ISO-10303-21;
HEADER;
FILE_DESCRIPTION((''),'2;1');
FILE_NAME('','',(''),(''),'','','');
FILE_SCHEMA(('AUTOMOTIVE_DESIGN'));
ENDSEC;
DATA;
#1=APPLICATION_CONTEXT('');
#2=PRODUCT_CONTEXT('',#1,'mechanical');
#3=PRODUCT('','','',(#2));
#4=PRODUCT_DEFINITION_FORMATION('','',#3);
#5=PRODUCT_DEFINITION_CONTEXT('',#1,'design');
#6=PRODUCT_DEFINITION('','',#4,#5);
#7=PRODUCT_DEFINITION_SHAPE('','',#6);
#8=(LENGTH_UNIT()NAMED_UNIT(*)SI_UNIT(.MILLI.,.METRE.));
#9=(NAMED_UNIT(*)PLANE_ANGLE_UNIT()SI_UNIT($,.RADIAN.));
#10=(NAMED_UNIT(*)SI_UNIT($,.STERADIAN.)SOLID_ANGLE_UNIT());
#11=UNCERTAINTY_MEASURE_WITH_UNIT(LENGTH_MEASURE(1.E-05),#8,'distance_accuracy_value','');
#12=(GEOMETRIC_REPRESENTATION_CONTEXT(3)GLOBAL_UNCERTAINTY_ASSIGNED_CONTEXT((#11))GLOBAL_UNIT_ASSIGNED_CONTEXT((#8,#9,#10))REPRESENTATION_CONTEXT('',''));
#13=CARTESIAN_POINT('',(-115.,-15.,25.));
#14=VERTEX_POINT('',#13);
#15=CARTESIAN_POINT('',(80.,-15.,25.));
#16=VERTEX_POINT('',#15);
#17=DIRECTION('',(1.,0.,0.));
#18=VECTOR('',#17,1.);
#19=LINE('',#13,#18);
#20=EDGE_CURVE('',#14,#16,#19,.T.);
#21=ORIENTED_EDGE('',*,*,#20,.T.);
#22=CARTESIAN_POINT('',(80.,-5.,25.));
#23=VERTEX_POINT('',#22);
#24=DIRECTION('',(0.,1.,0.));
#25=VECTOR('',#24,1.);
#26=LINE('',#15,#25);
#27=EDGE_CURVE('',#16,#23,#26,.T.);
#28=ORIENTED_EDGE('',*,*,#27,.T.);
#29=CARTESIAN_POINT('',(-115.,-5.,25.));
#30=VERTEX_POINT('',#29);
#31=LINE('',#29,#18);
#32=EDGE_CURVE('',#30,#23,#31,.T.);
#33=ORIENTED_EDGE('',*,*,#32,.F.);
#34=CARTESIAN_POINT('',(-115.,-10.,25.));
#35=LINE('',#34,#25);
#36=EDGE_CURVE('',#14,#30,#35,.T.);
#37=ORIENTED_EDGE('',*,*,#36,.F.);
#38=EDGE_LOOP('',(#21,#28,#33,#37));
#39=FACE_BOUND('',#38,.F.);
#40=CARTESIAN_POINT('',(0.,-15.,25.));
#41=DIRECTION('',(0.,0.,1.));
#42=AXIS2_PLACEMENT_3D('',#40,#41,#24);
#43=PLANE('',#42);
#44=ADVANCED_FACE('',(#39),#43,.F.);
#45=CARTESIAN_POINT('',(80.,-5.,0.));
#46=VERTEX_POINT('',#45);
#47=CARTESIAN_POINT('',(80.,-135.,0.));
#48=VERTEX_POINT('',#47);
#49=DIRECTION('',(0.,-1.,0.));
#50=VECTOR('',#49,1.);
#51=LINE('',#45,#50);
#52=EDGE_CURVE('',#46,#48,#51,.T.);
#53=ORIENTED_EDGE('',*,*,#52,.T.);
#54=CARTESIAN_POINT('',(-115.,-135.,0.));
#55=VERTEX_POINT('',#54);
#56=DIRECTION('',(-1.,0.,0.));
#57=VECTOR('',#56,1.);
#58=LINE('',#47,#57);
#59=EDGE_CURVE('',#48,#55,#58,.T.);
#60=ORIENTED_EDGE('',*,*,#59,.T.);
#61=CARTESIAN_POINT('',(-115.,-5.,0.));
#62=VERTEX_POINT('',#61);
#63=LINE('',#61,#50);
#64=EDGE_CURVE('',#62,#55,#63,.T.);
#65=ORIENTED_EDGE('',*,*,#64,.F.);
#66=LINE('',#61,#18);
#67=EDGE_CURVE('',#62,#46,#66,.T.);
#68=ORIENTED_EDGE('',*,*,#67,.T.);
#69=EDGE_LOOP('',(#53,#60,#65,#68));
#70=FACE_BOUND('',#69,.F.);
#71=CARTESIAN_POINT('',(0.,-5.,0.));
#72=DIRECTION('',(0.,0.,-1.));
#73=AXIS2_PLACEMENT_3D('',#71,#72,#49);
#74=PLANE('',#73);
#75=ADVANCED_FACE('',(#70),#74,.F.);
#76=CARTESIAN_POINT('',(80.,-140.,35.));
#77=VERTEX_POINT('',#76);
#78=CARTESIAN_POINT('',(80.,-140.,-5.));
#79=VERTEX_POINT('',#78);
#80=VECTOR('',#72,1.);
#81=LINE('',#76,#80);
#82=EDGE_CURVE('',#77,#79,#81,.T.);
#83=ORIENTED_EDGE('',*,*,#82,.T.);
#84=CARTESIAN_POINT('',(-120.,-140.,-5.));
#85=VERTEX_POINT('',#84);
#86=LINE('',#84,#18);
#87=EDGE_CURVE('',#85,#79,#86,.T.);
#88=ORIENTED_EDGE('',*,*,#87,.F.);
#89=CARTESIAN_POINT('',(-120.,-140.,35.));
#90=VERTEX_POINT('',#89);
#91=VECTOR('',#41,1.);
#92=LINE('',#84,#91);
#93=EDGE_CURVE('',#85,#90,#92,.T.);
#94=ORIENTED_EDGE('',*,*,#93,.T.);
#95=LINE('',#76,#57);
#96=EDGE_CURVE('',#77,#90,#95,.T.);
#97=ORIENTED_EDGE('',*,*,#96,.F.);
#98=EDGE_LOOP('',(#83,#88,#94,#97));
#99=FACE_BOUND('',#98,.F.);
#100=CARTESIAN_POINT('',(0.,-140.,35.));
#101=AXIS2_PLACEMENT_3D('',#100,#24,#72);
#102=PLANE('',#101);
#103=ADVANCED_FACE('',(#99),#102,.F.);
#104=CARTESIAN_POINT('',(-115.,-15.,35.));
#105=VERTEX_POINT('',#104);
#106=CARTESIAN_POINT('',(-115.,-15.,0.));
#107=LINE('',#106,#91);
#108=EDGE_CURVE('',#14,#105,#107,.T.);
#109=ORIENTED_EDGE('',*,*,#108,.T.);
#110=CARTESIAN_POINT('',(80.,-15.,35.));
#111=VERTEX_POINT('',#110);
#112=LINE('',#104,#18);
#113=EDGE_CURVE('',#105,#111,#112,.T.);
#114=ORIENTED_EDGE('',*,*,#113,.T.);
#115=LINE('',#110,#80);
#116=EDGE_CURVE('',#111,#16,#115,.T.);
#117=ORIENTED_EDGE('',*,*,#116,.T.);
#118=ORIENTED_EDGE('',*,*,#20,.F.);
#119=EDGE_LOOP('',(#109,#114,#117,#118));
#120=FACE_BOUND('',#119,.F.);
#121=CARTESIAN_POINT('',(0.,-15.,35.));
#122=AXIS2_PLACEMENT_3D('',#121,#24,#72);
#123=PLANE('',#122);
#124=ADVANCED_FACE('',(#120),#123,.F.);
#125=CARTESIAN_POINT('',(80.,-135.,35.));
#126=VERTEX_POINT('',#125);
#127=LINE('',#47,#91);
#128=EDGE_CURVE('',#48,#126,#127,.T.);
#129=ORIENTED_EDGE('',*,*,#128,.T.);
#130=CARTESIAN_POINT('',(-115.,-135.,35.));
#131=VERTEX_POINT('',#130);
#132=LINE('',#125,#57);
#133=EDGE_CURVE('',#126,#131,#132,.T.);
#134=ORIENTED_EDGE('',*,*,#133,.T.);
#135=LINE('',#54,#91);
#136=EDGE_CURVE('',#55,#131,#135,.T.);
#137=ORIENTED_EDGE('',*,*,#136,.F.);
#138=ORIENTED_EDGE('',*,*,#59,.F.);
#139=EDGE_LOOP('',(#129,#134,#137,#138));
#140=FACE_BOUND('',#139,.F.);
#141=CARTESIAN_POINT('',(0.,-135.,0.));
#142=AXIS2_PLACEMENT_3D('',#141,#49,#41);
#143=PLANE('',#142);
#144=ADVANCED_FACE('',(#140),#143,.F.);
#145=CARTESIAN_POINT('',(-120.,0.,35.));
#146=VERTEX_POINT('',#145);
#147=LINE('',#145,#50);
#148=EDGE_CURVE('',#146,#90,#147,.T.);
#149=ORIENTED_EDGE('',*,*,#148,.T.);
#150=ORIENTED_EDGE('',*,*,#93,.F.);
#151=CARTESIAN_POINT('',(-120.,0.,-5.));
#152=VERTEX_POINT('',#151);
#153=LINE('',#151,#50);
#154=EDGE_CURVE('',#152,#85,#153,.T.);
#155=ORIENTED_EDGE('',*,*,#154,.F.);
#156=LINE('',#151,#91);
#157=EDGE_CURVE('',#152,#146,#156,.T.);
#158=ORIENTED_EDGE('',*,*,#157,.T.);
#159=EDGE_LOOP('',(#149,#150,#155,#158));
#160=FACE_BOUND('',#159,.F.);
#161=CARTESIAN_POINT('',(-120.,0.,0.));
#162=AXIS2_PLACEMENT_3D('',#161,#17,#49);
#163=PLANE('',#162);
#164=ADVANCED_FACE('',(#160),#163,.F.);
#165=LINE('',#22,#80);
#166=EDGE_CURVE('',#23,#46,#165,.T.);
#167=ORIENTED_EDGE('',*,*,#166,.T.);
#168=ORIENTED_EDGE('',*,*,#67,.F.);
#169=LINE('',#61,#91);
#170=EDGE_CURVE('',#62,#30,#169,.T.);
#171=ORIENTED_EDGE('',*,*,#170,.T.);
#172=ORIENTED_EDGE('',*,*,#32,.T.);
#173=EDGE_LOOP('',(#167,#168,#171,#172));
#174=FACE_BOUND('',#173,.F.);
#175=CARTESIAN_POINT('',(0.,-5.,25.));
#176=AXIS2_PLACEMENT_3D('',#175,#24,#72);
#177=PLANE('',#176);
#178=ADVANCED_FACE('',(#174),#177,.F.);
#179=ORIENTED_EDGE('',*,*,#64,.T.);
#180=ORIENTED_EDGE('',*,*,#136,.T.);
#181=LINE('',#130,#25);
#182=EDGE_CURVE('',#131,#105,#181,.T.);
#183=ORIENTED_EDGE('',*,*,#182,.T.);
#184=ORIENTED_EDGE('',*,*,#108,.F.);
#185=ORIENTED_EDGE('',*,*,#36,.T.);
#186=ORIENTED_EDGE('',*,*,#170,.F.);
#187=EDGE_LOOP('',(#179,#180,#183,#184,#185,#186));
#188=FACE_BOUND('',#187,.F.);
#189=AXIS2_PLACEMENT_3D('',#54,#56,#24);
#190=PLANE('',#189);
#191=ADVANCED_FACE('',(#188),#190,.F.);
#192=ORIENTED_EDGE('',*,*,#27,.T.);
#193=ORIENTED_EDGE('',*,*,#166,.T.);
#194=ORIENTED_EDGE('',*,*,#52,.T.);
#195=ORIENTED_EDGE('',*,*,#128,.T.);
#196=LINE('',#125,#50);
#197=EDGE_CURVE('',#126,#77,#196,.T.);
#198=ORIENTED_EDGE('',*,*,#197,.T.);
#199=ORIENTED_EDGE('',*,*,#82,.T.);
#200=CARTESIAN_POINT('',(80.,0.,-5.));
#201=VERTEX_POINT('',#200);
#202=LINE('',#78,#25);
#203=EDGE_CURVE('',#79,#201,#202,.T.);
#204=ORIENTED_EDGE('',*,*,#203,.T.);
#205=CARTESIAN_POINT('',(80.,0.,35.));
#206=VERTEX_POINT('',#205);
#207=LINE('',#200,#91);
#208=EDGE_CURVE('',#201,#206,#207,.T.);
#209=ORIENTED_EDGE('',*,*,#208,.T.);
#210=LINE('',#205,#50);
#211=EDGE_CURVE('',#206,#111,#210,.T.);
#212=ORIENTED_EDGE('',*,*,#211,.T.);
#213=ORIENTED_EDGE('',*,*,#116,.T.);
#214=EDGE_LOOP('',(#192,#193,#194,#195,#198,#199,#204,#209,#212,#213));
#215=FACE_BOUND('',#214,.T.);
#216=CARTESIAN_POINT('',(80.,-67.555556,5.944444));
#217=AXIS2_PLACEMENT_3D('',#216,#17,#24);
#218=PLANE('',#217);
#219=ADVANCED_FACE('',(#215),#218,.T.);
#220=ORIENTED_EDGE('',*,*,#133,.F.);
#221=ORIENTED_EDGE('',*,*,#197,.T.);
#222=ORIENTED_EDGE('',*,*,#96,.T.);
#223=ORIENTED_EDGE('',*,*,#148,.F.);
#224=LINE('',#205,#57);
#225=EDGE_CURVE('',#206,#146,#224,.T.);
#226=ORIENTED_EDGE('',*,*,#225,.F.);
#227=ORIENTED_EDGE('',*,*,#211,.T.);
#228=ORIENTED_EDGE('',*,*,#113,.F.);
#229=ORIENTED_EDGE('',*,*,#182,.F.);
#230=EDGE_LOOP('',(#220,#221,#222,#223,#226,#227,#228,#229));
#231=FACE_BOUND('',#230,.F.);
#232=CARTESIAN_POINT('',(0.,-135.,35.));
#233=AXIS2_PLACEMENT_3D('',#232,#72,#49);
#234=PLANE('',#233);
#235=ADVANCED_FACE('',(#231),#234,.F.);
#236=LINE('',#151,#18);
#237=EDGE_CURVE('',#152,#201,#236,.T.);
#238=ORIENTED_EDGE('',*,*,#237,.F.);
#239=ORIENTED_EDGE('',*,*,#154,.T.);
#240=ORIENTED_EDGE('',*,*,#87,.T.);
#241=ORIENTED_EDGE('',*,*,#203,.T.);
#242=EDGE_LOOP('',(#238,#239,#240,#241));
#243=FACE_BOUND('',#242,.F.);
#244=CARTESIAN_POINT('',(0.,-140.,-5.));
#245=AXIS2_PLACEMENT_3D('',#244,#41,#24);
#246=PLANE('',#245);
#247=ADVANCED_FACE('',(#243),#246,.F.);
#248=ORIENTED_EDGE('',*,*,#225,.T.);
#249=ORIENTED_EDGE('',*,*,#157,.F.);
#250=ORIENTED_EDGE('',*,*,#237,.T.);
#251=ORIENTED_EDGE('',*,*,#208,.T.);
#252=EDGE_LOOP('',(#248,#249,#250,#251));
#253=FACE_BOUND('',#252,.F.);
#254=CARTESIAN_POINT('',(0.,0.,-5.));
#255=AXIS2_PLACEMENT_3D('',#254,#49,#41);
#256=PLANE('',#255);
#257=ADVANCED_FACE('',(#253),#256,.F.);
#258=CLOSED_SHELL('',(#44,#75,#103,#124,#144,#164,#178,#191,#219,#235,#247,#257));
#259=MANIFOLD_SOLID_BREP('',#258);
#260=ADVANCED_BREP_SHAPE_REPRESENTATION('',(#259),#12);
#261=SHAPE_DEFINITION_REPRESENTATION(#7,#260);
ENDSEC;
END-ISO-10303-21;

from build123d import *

# Parameters (mm, degrees)
F0_W     = 115
F0_H     = 120
F0_H_2   = 10
F1_DEPTH = 5
F2_DEPTH = 35
F3_DEPTH = 25
F4_DEPTH = 80


with BuildPart() as f1:
    # F0 (on Top) → F1 (new body)
    with BuildSketch(Plane.XY):
        with Locations((-57.5, -75)):
            Rectangle(F0_W, F0_H)
        Polygon((0, -5), (0, 0), (-115, 0), (-120, 0), (-120, -140), (-115, -140), (0, -140), (0, -135), (-115, -135), (-115, -15), (-115, -5), align=None)
        with Locations((-57.5, -10)):
            Rectangle(F0_W, F0_H_2)
    extrude(amount=-F1_DEPTH)

    # F0 (on Top) → F2 (join)
    with BuildSketch(Plane.XY):
        with Locations((-57.5, -10)):
            Rectangle(F0_W, F0_H_2)
        Polygon((0, -5), (0, 0), (-115, 0), (-120, 0), (-120, -140), (-115, -140), (0, -140), (0, -135), (-115, -135), (-115, -15), (-115, -5), align=None)
    extrude(amount=F2_DEPTH)

    # F0 (on Top) → F3 (cut)
    with BuildSketch(Plane.XY):
        with Locations((-57.5, -10)):
            Rectangle(F0_W, F0_H_2)
    extrude(amount=F3_DEPTH, mode=Mode.SUBTRACT)

    # F2_face (on face) → F4 (join)
    with BuildSketch(Plane(origin=(0, -64.782609, 6.413043), x_dir=(0, 1, 0), z_dir=(1, 0, 0))):
        Polygon((-75.217391, 28.586957), (-75.217391, -11.413043), (64.782609, -11.413043), (64.782609, 28.586957), (49.782609, 28.586957), (49.782609, 18.586957), (59.782609, 18.586957), (59.782609, -6.413043), (-70.217391, -6.413043), (-70.217391, 28.586957), align=None)
    extrude(amount=F4_DEPTH)


solid = f1.part
